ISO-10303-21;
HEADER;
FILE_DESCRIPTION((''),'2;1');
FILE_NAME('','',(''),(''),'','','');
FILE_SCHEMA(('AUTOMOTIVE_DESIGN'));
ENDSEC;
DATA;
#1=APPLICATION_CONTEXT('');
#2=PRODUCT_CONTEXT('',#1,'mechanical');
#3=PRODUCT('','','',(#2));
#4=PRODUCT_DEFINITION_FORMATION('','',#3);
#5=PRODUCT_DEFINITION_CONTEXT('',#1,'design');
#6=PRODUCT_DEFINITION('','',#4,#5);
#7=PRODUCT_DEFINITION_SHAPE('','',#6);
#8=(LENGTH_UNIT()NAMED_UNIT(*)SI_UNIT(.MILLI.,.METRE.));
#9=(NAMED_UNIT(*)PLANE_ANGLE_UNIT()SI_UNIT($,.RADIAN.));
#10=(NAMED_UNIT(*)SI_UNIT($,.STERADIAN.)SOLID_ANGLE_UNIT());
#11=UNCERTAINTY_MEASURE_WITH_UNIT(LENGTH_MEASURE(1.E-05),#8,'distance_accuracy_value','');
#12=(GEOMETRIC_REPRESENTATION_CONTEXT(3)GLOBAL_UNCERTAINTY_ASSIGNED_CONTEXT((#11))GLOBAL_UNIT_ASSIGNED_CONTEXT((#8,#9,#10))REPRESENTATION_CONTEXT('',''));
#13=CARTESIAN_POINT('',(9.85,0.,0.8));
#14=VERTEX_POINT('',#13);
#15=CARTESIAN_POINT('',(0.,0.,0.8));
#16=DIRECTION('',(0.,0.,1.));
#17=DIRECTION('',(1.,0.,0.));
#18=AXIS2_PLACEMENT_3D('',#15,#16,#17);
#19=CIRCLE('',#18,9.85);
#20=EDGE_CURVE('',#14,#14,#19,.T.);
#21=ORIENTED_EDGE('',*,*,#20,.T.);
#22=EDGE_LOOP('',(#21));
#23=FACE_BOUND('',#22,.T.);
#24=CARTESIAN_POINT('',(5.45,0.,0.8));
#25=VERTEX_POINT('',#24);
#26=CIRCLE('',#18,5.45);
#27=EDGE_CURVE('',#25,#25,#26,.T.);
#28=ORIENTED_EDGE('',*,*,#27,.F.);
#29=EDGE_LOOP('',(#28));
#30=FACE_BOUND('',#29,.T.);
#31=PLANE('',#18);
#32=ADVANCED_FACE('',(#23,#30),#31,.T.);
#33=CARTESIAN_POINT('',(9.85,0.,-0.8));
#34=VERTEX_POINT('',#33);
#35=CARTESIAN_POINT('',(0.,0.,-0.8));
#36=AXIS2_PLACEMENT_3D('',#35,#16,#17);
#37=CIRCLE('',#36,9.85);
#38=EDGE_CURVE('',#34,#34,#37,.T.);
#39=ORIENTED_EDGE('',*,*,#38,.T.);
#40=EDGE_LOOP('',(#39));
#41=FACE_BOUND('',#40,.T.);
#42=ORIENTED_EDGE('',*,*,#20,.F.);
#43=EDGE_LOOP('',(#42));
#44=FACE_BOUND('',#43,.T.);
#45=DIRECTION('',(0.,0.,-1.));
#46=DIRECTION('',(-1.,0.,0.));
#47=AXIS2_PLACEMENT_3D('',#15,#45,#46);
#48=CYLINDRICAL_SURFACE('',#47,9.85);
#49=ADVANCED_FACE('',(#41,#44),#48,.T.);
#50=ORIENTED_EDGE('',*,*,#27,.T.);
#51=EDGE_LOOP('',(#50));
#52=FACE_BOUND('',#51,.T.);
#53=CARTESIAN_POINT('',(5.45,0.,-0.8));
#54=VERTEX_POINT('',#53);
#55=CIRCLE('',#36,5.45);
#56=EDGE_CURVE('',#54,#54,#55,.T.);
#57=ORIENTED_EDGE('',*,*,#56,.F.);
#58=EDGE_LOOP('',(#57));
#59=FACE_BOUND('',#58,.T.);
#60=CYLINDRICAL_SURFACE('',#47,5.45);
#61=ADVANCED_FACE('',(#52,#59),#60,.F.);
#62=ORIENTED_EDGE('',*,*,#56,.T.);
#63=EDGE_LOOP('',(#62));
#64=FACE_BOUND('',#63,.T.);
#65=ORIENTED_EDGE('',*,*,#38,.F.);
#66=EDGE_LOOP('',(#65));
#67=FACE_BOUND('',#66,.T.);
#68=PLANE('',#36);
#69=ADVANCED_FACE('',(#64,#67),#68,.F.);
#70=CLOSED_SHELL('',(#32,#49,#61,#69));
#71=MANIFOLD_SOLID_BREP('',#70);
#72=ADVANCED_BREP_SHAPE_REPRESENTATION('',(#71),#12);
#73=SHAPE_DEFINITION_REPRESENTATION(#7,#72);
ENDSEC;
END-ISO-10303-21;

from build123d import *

# Parameters (mm, degrees)
SKETCH3_R           = 9.85
SKETCH3_R_2         = 5.45
BOSS_EXTRUDE1_DEPTH = 0.8


with BuildPart() as part:
    # Sketch3 → Boss-Extrude1 (new body, symmetric)
    with BuildSketch(Plane.XY):
        Circle(SKETCH3_R)
        Circle(SKETCH3_R_2, mode=Mode.SUBTRACT)
    extrude(amount=BOSS_EXTRUDE1_DEPTH, both=True)


solid = part.part
